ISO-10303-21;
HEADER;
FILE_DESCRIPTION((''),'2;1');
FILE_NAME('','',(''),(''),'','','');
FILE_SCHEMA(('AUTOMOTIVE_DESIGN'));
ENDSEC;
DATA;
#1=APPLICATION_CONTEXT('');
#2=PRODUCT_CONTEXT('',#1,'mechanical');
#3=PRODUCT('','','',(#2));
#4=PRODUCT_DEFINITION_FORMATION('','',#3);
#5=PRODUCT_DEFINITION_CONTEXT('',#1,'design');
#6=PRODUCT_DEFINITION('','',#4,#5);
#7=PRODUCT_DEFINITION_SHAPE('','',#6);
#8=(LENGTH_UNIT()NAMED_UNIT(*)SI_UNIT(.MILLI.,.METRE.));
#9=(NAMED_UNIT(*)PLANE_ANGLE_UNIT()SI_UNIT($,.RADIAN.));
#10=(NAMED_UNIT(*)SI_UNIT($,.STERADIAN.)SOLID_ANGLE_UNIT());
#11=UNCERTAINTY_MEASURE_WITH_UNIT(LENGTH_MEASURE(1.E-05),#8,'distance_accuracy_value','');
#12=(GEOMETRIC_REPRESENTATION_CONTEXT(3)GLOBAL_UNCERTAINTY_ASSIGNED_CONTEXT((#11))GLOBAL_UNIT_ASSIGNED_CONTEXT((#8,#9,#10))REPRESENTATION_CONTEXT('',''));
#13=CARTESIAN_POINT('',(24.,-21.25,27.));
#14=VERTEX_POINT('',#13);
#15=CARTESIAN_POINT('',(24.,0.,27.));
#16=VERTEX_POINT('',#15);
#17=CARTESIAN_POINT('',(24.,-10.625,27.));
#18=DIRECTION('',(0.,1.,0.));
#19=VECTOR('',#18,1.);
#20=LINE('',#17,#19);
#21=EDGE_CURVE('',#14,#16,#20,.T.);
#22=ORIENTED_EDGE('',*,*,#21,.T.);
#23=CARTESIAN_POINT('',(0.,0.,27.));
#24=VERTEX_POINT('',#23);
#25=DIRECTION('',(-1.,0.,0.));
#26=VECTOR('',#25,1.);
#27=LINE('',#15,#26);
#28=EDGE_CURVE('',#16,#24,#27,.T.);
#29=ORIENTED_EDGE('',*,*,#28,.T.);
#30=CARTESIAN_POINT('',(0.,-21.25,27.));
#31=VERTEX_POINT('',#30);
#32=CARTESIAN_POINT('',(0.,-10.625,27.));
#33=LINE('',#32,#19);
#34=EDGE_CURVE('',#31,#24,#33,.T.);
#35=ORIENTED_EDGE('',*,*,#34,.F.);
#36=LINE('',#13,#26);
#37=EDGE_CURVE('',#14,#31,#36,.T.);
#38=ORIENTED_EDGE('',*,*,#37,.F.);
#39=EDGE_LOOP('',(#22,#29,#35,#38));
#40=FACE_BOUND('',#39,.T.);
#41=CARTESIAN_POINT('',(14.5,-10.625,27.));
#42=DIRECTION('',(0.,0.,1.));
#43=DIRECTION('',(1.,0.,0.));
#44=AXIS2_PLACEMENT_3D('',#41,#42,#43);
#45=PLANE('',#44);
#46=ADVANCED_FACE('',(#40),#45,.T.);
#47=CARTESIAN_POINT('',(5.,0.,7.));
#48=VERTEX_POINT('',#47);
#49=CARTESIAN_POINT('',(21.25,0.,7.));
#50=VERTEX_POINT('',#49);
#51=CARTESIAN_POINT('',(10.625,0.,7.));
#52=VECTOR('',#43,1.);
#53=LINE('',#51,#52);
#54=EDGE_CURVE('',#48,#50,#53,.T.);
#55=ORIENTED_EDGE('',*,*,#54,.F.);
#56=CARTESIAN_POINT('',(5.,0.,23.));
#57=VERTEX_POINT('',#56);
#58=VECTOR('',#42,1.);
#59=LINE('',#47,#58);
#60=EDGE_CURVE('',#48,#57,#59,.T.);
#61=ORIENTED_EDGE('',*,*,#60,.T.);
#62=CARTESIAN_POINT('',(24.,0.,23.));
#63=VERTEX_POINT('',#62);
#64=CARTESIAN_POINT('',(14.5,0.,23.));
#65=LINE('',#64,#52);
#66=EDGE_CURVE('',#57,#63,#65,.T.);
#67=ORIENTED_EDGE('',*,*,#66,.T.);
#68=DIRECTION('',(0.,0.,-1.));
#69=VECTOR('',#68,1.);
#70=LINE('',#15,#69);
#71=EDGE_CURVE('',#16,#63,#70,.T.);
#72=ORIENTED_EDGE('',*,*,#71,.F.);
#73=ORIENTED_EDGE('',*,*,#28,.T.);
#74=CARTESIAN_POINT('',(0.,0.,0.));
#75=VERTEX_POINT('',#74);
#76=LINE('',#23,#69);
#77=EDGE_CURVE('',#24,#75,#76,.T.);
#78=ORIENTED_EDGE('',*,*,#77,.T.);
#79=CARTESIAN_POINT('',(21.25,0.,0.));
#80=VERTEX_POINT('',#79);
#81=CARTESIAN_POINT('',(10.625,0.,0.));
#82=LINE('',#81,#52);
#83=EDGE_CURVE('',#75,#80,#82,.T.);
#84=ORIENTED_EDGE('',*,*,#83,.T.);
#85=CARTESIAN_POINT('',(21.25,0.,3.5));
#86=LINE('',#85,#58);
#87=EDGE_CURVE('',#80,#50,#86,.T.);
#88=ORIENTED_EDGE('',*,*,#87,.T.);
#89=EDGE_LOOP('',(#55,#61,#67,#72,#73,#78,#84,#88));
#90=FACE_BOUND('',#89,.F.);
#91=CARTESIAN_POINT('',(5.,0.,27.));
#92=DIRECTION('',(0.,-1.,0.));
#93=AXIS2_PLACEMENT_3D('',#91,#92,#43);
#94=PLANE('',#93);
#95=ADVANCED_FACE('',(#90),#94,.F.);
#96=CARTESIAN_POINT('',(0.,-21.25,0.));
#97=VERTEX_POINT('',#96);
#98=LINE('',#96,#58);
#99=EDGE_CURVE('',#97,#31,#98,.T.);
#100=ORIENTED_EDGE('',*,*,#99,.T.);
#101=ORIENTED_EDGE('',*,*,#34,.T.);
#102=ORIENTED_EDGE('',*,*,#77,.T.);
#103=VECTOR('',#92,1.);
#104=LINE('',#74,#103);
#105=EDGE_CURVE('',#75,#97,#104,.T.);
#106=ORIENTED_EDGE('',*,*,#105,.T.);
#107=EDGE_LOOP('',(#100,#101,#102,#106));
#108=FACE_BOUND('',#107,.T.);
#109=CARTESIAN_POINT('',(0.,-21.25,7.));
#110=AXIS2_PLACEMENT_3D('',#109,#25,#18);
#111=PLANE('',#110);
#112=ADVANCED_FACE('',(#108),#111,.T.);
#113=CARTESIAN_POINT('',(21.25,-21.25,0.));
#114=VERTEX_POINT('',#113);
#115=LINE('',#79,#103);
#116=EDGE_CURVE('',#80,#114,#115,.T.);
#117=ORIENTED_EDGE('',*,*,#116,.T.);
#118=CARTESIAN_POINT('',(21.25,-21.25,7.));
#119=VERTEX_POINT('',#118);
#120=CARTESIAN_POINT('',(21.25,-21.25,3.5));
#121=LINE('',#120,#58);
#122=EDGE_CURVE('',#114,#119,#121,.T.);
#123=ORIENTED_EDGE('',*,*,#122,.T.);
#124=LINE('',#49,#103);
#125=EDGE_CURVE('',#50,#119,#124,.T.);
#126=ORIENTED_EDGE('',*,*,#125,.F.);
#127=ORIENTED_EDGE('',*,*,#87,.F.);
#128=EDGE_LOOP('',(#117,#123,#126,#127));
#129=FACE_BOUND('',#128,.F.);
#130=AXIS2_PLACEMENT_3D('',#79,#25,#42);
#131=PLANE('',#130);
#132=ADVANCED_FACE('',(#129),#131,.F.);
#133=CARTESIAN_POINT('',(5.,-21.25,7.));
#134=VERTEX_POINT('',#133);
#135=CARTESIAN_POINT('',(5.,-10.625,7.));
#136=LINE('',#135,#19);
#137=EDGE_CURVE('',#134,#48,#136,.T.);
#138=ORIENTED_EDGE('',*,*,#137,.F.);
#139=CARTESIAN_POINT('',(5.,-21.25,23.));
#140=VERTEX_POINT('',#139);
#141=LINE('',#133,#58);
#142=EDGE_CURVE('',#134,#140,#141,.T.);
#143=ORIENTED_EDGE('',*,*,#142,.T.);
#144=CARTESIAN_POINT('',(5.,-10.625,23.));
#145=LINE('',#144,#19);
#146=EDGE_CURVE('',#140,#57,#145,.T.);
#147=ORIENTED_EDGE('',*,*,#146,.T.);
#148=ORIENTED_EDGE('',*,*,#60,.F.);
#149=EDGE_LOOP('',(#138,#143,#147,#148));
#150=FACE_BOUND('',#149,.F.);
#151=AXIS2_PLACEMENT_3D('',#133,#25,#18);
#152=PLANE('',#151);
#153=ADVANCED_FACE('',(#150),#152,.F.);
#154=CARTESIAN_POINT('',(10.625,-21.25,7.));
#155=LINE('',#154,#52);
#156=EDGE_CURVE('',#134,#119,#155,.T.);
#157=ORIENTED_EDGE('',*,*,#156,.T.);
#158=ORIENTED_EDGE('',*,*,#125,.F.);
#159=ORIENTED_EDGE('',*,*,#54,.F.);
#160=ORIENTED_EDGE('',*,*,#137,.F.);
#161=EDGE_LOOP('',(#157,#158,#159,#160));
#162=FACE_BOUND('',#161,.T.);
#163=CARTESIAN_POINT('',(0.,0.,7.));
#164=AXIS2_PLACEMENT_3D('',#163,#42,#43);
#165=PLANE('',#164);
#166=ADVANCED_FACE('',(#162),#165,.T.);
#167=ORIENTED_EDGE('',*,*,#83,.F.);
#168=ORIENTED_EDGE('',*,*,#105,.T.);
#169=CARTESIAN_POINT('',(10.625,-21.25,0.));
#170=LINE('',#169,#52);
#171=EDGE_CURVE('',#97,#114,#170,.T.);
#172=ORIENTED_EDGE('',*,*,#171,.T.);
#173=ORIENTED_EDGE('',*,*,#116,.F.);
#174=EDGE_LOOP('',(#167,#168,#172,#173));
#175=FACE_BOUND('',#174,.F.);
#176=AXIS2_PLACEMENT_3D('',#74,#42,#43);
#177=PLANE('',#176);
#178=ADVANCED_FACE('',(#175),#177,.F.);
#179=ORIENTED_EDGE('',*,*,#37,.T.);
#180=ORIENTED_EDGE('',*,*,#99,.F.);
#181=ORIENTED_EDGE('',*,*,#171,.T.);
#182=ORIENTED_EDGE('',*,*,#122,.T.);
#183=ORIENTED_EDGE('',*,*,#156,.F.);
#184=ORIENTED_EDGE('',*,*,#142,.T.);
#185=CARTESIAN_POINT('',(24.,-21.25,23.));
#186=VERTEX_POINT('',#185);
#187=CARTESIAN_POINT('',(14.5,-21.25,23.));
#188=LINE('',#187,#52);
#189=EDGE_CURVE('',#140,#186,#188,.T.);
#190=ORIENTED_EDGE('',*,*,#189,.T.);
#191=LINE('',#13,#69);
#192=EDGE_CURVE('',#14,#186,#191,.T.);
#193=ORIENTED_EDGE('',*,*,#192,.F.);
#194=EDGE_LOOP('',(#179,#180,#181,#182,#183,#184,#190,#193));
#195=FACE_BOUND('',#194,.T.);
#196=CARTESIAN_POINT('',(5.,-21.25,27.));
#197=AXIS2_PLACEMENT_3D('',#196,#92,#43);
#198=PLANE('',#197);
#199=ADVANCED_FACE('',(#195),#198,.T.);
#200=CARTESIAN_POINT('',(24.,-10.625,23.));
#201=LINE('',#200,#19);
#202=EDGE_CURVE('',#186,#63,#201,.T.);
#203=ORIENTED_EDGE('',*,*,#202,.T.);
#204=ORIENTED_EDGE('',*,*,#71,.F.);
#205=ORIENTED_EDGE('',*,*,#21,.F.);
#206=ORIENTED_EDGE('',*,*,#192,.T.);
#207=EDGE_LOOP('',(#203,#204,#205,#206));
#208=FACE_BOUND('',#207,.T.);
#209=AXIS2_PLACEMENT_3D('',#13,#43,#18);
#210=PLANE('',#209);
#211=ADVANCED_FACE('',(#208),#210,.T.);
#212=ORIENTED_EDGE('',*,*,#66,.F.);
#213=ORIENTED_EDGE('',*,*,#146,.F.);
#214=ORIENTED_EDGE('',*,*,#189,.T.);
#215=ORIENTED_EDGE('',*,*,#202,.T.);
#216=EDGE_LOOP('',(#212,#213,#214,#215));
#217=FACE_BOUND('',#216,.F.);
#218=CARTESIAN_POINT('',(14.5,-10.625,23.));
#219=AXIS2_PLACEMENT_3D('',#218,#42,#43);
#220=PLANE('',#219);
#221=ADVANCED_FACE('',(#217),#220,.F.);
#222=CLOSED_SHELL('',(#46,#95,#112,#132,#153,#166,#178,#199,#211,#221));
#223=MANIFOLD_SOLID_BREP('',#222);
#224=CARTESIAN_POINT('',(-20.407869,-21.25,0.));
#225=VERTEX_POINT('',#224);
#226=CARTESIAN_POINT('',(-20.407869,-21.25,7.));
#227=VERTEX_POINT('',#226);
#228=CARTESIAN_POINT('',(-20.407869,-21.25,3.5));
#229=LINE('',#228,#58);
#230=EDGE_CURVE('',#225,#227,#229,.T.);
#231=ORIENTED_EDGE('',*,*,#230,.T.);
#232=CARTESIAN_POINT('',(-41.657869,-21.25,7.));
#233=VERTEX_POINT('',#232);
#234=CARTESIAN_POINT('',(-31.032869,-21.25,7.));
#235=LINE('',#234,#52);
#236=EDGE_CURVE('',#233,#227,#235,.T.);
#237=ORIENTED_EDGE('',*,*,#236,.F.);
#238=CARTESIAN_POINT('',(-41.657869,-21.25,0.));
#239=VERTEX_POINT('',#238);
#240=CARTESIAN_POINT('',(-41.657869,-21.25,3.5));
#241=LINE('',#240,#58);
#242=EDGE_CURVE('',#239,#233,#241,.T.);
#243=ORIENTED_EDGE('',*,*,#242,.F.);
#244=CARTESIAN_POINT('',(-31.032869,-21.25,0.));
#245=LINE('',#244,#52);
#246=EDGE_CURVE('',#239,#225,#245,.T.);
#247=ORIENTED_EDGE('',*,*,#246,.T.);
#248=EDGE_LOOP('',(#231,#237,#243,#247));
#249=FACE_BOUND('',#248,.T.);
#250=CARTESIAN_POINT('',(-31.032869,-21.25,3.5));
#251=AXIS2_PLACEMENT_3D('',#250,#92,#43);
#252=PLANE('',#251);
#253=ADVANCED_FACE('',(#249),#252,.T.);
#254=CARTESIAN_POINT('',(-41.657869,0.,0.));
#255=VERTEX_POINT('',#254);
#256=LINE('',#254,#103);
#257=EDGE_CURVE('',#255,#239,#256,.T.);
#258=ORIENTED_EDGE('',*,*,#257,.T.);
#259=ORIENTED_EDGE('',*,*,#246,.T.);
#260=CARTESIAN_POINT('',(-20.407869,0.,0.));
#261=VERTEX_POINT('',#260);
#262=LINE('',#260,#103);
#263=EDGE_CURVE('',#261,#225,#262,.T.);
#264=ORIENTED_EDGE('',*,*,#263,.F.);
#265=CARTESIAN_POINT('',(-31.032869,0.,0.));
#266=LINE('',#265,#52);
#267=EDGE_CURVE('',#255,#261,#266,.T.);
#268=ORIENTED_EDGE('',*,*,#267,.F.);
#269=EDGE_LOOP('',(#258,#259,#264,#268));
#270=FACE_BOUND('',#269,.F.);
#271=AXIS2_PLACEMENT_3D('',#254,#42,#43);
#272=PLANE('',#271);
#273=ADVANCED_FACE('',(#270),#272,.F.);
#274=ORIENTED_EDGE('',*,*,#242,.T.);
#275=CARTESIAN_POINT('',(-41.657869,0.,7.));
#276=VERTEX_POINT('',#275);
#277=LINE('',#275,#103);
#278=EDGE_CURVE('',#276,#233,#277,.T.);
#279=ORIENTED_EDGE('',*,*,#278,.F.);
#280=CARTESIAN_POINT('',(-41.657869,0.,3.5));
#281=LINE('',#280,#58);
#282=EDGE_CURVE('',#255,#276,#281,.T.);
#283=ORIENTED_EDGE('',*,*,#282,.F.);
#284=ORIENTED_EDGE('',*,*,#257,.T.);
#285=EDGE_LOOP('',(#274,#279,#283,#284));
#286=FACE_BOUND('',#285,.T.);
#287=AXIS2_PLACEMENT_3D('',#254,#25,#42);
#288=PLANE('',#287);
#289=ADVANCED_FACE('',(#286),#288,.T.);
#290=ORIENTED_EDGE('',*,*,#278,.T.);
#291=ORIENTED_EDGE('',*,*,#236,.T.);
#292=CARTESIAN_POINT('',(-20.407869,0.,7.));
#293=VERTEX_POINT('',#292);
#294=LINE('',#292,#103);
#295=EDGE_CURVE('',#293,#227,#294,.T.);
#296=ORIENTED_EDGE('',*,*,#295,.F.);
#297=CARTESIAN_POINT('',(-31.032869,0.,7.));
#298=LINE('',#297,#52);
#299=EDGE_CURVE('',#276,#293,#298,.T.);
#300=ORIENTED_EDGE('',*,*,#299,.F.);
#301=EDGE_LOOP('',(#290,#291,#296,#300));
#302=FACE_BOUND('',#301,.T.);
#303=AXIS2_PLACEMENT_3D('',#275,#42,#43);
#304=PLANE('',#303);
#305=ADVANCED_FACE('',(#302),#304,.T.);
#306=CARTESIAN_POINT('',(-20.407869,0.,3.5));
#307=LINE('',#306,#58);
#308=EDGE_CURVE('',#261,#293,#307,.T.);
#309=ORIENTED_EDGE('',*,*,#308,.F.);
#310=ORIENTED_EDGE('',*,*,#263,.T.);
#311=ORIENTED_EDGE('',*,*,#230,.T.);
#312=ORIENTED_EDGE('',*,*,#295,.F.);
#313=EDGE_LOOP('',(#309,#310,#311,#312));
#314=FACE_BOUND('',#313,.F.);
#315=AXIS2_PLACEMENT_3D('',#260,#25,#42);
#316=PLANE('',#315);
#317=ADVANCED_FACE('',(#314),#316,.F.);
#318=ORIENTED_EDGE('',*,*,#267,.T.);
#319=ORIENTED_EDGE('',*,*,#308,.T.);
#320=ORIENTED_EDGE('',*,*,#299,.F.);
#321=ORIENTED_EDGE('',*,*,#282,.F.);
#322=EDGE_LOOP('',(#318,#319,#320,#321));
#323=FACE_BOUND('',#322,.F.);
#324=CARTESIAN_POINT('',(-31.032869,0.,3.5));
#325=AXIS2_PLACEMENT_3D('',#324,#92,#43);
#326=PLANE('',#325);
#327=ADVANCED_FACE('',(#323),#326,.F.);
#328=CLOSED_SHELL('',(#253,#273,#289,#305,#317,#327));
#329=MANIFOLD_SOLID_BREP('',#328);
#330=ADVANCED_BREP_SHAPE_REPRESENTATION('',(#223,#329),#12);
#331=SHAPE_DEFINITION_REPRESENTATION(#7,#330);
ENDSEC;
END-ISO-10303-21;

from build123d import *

# Parameters (mm, degrees)
F0_W     = 21.25
F0_H     = 7
F1_DEPTH = 21.25
F2_W     = 5
F2_H     = 21.25
F3_DEPTH = 20
F4_W     = 19
F4_H     = 21.25
F5_DEPTH = 4
F6_W     = 21.25
F6_H     = 7
F7_DEPTH = 21.25


with BuildPart() as f1:
    # F0 (on Front) → F1 (new body)
    with BuildSketch(Plane.XZ):
        with Locations((10.625, 3.5)):
            Rectangle(F0_W, F0_H)
    extrude(amount=F1_DEPTH)

    # F2 (on face) → F3 (join)
    with BuildSketch(Plane.XY.offset(7)):
        with Locations((2.5, -10.625)):
            Rectangle(F2_W, F2_H)
    extrude(amount=F3_DEPTH)

    # F4 (on face) → F5 (join)
    with BuildSketch(Plane.XY.offset(27)):
        with Locations((14.5, -10.625)):
            Rectangle(F4_W, F4_H)
    extrude(amount=-F5_DEPTH)


with BuildPart() as f7:
    # F6 (on Front) → F7 (new body)
    with BuildSketch(Plane.XZ):
        with Locations((-31.032869, 3.5)):
            Rectangle(F6_W, F6_H)
    extrude(amount=F7_DEPTH)


solid = Compound([f1.part, f7.part])
